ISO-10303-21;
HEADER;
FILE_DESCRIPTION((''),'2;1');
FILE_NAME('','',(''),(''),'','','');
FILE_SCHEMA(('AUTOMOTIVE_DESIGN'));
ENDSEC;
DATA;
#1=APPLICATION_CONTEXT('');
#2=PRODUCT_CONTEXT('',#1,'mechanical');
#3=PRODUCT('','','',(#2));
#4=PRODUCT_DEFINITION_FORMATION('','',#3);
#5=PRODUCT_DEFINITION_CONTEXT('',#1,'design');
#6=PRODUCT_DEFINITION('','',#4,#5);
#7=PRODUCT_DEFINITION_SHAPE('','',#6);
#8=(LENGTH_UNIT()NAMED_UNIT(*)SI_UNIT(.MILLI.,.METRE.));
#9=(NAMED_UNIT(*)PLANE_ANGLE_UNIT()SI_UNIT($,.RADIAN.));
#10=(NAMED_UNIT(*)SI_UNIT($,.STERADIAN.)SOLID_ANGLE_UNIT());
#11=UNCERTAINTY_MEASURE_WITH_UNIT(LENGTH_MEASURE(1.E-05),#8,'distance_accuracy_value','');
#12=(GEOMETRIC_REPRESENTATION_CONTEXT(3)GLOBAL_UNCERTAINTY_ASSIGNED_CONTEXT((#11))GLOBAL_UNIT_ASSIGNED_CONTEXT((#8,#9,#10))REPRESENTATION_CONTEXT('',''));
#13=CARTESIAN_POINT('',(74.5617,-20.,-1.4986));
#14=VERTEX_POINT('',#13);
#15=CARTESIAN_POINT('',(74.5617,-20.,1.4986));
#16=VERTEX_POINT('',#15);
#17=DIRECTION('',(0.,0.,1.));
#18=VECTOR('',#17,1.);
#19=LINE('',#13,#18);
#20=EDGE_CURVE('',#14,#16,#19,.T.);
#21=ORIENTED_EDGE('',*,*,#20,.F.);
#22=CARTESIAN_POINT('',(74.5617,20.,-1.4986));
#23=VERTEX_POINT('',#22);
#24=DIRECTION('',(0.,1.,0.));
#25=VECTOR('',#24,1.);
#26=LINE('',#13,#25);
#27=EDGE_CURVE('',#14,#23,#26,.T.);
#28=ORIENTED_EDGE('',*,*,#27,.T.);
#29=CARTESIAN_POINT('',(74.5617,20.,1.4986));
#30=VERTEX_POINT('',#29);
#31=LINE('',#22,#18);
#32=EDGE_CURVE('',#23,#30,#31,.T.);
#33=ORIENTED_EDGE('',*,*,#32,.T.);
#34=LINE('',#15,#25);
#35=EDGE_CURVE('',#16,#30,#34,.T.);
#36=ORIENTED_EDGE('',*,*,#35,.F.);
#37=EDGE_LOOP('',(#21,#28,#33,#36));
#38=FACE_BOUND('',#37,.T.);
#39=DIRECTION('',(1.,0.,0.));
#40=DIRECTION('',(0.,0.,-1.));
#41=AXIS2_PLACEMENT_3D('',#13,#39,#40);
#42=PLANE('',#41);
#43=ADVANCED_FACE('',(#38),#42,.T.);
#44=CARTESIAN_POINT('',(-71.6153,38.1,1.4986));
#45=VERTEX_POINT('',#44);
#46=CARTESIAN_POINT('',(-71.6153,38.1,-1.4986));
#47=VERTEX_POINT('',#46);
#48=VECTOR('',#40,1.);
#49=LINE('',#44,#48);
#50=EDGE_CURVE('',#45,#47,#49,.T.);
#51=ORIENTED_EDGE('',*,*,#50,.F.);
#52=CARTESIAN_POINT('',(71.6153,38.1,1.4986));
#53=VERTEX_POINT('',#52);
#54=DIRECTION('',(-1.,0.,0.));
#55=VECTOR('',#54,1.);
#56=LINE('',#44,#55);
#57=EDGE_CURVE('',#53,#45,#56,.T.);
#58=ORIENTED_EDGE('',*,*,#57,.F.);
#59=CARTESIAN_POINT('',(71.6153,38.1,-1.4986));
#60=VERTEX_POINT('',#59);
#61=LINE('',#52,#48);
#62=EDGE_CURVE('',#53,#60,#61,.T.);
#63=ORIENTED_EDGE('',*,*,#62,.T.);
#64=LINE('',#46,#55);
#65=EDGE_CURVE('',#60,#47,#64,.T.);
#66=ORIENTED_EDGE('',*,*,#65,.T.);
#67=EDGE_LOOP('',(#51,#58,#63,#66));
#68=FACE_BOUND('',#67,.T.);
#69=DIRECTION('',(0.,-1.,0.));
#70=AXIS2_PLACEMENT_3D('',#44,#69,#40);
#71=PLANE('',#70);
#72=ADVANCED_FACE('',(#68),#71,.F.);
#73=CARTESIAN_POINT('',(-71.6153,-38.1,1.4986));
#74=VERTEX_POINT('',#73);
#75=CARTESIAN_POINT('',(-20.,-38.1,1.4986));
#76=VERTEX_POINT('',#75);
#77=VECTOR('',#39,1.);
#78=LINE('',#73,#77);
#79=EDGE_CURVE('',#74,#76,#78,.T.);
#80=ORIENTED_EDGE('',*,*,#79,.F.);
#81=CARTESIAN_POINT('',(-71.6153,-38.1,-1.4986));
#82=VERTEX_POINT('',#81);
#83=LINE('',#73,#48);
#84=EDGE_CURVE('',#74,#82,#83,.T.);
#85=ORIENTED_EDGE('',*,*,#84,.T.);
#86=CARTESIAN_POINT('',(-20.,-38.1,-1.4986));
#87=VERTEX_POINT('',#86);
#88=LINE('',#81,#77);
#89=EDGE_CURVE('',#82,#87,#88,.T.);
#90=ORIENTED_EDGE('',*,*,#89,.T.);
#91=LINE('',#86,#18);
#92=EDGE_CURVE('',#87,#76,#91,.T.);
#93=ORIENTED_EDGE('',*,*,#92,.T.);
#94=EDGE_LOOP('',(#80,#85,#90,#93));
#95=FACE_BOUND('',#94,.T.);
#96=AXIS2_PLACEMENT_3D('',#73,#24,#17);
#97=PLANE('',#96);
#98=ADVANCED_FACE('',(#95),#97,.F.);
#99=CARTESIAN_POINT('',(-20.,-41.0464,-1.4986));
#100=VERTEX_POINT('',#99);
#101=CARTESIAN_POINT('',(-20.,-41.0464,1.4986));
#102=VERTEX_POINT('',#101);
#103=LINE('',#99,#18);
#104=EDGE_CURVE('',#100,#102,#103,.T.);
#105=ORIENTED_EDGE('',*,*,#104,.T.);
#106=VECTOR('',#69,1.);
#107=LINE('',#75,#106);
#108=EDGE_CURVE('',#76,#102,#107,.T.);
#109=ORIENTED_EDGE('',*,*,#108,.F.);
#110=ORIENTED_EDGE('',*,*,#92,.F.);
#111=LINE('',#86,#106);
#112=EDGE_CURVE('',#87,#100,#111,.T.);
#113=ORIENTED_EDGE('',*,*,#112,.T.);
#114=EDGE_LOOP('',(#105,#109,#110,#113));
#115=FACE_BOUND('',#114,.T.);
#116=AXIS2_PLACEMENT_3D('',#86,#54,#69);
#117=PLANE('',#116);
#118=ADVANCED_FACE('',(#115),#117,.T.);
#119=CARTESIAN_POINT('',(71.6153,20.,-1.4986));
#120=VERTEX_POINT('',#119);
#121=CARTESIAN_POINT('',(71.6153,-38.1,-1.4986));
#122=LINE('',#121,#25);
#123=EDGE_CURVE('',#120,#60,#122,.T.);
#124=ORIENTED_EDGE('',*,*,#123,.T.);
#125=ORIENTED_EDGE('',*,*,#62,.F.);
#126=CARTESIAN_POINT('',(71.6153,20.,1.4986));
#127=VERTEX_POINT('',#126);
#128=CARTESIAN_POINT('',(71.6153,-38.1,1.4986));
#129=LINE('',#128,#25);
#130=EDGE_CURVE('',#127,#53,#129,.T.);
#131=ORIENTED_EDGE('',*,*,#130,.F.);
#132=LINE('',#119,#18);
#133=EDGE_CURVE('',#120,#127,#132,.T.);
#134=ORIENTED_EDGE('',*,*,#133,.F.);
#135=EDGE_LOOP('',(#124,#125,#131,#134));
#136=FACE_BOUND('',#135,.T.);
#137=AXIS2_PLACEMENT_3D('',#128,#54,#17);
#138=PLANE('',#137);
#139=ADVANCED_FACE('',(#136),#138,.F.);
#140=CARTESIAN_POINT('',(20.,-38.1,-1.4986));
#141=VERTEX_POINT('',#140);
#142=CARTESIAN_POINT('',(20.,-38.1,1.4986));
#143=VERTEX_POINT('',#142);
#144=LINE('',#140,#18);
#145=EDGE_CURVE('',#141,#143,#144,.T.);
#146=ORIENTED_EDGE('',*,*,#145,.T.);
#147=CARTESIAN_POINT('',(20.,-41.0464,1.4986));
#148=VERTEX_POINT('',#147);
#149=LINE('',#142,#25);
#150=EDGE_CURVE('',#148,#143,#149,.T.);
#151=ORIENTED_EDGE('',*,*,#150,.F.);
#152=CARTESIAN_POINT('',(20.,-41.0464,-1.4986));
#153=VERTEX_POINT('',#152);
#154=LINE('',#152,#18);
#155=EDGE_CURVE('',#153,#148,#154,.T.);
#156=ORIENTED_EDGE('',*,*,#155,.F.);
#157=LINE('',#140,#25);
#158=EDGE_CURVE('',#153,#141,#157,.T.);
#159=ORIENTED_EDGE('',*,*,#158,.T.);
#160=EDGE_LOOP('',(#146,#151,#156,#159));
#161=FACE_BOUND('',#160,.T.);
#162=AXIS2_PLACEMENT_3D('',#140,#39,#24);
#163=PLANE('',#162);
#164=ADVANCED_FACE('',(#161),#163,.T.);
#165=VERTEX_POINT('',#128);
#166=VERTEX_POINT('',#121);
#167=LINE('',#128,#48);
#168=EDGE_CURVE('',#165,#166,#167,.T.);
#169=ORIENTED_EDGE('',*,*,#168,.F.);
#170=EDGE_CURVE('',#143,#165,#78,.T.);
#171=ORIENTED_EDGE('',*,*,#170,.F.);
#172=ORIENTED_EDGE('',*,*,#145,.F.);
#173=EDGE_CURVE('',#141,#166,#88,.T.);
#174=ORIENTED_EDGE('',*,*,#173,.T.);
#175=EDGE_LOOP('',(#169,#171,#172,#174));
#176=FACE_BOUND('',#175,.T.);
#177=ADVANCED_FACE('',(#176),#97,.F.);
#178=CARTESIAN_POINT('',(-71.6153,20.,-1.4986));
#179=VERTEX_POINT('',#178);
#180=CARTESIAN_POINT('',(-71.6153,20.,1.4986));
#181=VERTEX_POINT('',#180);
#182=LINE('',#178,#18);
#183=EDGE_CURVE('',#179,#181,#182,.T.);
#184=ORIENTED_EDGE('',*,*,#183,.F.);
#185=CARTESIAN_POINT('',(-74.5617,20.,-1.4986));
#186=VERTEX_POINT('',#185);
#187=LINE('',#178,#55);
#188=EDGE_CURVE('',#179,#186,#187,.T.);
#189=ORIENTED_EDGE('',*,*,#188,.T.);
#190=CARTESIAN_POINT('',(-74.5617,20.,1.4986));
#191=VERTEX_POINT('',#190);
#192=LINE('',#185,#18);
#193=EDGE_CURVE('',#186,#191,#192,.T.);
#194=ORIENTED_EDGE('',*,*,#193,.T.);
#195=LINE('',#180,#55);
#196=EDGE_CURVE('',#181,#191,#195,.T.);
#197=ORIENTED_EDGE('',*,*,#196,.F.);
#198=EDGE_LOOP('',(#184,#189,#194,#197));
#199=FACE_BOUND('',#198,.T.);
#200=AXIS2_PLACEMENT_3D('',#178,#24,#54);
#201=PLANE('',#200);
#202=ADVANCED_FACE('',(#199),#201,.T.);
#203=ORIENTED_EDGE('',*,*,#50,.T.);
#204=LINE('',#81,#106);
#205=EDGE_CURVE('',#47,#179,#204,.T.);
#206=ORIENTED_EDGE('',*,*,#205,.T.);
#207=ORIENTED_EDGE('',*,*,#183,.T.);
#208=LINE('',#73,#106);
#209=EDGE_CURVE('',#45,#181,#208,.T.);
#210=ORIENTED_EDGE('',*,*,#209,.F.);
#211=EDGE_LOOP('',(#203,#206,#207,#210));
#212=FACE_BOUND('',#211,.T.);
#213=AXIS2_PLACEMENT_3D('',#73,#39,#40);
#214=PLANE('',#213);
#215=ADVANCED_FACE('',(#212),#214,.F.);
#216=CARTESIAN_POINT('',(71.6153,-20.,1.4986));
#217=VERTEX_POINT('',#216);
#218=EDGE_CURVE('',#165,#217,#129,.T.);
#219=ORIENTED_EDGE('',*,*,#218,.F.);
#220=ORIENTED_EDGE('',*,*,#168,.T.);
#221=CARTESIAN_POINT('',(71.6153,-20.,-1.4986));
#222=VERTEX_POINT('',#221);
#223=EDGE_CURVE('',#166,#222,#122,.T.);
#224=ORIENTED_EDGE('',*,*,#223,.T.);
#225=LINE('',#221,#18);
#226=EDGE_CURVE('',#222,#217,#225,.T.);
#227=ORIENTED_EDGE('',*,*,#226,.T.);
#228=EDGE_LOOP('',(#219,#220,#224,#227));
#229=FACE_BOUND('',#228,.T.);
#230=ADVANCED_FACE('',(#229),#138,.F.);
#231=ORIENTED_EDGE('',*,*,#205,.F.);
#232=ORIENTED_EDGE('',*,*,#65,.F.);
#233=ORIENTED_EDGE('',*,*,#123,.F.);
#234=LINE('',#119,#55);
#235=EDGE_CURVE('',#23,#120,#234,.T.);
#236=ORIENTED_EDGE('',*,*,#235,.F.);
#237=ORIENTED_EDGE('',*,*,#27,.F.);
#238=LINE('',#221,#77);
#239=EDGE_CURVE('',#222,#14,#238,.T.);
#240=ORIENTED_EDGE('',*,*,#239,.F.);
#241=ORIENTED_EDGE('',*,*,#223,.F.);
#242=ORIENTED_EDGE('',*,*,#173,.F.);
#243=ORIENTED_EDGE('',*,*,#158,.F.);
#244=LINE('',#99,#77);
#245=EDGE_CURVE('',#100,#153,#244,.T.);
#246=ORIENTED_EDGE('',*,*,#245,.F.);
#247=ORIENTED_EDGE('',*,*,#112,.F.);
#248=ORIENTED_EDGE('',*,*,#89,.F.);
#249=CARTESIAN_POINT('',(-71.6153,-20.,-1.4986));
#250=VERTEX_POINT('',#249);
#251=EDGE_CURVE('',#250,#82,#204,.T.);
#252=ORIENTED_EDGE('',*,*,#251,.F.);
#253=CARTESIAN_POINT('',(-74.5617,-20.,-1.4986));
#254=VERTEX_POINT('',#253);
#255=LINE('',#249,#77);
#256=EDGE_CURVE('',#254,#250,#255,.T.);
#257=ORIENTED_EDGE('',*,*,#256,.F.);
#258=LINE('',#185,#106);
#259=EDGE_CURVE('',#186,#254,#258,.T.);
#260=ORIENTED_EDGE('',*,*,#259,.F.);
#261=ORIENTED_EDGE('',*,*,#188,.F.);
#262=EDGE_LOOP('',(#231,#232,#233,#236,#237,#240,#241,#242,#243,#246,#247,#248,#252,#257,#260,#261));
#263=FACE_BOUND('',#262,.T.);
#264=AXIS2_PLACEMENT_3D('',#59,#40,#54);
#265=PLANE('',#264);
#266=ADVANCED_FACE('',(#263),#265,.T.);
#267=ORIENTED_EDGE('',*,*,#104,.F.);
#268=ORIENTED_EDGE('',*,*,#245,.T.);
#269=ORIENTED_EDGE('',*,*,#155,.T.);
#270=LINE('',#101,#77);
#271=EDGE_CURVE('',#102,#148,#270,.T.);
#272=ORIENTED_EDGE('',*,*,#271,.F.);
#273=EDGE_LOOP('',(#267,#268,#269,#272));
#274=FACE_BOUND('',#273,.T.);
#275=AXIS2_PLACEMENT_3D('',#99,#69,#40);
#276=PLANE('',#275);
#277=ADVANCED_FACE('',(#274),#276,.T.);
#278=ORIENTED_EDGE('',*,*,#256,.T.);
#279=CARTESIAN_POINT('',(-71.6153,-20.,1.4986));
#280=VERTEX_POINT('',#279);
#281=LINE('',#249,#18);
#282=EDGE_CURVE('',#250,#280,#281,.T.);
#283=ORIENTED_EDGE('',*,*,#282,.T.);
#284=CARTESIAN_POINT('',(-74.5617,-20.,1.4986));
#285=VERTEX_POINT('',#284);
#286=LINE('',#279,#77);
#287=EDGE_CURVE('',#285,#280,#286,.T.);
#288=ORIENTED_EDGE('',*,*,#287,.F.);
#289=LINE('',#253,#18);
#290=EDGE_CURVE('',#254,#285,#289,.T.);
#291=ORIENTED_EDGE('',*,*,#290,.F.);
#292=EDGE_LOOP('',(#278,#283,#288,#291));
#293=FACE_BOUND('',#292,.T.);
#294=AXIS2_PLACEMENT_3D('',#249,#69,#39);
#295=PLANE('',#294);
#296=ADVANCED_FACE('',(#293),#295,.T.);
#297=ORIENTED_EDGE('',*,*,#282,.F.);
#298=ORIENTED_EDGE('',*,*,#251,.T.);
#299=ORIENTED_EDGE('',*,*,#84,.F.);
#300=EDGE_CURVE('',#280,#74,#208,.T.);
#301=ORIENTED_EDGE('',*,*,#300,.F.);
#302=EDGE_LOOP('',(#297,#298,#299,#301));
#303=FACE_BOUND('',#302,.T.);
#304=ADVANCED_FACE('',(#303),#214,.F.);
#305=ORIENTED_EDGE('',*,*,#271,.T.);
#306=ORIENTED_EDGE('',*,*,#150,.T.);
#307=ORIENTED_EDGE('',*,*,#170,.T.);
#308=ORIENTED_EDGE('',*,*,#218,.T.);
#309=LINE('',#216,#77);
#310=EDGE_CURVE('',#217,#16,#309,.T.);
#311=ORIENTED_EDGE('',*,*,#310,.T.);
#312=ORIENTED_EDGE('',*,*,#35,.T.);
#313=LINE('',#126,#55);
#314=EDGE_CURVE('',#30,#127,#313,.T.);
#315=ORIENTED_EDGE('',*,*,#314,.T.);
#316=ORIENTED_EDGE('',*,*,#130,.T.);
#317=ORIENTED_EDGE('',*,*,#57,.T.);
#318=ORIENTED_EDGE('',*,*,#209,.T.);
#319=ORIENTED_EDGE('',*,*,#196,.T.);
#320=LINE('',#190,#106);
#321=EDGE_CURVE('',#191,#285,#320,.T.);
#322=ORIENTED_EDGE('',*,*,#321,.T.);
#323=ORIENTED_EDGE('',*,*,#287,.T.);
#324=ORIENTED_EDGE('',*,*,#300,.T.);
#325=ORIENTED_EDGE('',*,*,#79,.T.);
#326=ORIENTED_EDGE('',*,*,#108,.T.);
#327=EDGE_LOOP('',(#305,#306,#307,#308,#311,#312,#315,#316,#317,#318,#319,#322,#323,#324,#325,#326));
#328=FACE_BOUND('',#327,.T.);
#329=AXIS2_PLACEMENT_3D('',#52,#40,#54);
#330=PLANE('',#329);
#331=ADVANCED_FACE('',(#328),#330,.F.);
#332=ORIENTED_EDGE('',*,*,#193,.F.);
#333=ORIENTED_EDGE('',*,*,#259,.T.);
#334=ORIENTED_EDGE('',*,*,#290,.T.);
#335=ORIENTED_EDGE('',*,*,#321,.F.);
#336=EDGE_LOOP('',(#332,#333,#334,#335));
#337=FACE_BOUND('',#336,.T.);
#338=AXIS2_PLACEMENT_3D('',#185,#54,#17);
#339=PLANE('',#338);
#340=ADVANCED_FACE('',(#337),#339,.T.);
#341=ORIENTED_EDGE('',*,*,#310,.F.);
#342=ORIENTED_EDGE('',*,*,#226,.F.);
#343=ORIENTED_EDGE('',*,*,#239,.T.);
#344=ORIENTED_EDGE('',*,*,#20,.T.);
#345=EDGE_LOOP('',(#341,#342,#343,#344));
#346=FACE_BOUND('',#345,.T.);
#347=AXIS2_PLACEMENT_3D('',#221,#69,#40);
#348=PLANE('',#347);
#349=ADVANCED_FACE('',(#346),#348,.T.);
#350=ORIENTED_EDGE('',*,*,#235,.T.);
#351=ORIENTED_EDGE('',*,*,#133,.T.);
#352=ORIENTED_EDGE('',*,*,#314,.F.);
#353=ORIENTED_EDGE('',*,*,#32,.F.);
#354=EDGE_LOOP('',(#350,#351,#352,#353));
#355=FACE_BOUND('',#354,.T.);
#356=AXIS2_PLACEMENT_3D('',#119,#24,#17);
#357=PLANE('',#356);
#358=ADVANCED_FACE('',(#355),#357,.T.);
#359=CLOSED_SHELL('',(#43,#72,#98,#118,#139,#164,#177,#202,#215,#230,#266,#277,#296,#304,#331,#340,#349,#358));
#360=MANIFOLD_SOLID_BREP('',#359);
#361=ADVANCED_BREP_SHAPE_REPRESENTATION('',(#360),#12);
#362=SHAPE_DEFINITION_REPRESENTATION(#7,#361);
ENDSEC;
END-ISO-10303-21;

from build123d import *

# Parameters (mm, degrees)
SKETCH1_W           = 143.2306
SKETCH1_H           = 76.2
BOSS_EXTRUDE1_DEPTH = 1.4986
SKETCH2_W           = 2.9464
SKETCH2_H           = 40
SKETCH2_W_2         = 40
SKETCH2_H_2         = 2.9464
BOSS_EXTRUDE2_DEPTH = 2.9972


with BuildPart() as part:
    # Sketch1 → Boss-Extrude1 (new body, symmetric)
    with BuildSketch(Plane.XY):
        Rectangle(SKETCH1_W, SKETCH1_H)
    extrude(amount=BOSS_EXTRUDE1_DEPTH, both=True)

    # Sketch2 → Boss-Extrude2 (add, through all)
    with BuildSketch(Plane.XY.offset(1.4986)):
        with Locations((-73.0885, 0)):
            Rectangle(SKETCH2_W, SKETCH2_H)
        with Locations((0, -39.5732)):
            Rectangle(SKETCH2_W_2, SKETCH2_H_2)
        with Locations((73.0885, 0)):
            Rectangle(SKETCH2_W, SKETCH2_H)
    extrude(amount=-BOSS_EXTRUDE2_DEPTH)


solid = part.part
